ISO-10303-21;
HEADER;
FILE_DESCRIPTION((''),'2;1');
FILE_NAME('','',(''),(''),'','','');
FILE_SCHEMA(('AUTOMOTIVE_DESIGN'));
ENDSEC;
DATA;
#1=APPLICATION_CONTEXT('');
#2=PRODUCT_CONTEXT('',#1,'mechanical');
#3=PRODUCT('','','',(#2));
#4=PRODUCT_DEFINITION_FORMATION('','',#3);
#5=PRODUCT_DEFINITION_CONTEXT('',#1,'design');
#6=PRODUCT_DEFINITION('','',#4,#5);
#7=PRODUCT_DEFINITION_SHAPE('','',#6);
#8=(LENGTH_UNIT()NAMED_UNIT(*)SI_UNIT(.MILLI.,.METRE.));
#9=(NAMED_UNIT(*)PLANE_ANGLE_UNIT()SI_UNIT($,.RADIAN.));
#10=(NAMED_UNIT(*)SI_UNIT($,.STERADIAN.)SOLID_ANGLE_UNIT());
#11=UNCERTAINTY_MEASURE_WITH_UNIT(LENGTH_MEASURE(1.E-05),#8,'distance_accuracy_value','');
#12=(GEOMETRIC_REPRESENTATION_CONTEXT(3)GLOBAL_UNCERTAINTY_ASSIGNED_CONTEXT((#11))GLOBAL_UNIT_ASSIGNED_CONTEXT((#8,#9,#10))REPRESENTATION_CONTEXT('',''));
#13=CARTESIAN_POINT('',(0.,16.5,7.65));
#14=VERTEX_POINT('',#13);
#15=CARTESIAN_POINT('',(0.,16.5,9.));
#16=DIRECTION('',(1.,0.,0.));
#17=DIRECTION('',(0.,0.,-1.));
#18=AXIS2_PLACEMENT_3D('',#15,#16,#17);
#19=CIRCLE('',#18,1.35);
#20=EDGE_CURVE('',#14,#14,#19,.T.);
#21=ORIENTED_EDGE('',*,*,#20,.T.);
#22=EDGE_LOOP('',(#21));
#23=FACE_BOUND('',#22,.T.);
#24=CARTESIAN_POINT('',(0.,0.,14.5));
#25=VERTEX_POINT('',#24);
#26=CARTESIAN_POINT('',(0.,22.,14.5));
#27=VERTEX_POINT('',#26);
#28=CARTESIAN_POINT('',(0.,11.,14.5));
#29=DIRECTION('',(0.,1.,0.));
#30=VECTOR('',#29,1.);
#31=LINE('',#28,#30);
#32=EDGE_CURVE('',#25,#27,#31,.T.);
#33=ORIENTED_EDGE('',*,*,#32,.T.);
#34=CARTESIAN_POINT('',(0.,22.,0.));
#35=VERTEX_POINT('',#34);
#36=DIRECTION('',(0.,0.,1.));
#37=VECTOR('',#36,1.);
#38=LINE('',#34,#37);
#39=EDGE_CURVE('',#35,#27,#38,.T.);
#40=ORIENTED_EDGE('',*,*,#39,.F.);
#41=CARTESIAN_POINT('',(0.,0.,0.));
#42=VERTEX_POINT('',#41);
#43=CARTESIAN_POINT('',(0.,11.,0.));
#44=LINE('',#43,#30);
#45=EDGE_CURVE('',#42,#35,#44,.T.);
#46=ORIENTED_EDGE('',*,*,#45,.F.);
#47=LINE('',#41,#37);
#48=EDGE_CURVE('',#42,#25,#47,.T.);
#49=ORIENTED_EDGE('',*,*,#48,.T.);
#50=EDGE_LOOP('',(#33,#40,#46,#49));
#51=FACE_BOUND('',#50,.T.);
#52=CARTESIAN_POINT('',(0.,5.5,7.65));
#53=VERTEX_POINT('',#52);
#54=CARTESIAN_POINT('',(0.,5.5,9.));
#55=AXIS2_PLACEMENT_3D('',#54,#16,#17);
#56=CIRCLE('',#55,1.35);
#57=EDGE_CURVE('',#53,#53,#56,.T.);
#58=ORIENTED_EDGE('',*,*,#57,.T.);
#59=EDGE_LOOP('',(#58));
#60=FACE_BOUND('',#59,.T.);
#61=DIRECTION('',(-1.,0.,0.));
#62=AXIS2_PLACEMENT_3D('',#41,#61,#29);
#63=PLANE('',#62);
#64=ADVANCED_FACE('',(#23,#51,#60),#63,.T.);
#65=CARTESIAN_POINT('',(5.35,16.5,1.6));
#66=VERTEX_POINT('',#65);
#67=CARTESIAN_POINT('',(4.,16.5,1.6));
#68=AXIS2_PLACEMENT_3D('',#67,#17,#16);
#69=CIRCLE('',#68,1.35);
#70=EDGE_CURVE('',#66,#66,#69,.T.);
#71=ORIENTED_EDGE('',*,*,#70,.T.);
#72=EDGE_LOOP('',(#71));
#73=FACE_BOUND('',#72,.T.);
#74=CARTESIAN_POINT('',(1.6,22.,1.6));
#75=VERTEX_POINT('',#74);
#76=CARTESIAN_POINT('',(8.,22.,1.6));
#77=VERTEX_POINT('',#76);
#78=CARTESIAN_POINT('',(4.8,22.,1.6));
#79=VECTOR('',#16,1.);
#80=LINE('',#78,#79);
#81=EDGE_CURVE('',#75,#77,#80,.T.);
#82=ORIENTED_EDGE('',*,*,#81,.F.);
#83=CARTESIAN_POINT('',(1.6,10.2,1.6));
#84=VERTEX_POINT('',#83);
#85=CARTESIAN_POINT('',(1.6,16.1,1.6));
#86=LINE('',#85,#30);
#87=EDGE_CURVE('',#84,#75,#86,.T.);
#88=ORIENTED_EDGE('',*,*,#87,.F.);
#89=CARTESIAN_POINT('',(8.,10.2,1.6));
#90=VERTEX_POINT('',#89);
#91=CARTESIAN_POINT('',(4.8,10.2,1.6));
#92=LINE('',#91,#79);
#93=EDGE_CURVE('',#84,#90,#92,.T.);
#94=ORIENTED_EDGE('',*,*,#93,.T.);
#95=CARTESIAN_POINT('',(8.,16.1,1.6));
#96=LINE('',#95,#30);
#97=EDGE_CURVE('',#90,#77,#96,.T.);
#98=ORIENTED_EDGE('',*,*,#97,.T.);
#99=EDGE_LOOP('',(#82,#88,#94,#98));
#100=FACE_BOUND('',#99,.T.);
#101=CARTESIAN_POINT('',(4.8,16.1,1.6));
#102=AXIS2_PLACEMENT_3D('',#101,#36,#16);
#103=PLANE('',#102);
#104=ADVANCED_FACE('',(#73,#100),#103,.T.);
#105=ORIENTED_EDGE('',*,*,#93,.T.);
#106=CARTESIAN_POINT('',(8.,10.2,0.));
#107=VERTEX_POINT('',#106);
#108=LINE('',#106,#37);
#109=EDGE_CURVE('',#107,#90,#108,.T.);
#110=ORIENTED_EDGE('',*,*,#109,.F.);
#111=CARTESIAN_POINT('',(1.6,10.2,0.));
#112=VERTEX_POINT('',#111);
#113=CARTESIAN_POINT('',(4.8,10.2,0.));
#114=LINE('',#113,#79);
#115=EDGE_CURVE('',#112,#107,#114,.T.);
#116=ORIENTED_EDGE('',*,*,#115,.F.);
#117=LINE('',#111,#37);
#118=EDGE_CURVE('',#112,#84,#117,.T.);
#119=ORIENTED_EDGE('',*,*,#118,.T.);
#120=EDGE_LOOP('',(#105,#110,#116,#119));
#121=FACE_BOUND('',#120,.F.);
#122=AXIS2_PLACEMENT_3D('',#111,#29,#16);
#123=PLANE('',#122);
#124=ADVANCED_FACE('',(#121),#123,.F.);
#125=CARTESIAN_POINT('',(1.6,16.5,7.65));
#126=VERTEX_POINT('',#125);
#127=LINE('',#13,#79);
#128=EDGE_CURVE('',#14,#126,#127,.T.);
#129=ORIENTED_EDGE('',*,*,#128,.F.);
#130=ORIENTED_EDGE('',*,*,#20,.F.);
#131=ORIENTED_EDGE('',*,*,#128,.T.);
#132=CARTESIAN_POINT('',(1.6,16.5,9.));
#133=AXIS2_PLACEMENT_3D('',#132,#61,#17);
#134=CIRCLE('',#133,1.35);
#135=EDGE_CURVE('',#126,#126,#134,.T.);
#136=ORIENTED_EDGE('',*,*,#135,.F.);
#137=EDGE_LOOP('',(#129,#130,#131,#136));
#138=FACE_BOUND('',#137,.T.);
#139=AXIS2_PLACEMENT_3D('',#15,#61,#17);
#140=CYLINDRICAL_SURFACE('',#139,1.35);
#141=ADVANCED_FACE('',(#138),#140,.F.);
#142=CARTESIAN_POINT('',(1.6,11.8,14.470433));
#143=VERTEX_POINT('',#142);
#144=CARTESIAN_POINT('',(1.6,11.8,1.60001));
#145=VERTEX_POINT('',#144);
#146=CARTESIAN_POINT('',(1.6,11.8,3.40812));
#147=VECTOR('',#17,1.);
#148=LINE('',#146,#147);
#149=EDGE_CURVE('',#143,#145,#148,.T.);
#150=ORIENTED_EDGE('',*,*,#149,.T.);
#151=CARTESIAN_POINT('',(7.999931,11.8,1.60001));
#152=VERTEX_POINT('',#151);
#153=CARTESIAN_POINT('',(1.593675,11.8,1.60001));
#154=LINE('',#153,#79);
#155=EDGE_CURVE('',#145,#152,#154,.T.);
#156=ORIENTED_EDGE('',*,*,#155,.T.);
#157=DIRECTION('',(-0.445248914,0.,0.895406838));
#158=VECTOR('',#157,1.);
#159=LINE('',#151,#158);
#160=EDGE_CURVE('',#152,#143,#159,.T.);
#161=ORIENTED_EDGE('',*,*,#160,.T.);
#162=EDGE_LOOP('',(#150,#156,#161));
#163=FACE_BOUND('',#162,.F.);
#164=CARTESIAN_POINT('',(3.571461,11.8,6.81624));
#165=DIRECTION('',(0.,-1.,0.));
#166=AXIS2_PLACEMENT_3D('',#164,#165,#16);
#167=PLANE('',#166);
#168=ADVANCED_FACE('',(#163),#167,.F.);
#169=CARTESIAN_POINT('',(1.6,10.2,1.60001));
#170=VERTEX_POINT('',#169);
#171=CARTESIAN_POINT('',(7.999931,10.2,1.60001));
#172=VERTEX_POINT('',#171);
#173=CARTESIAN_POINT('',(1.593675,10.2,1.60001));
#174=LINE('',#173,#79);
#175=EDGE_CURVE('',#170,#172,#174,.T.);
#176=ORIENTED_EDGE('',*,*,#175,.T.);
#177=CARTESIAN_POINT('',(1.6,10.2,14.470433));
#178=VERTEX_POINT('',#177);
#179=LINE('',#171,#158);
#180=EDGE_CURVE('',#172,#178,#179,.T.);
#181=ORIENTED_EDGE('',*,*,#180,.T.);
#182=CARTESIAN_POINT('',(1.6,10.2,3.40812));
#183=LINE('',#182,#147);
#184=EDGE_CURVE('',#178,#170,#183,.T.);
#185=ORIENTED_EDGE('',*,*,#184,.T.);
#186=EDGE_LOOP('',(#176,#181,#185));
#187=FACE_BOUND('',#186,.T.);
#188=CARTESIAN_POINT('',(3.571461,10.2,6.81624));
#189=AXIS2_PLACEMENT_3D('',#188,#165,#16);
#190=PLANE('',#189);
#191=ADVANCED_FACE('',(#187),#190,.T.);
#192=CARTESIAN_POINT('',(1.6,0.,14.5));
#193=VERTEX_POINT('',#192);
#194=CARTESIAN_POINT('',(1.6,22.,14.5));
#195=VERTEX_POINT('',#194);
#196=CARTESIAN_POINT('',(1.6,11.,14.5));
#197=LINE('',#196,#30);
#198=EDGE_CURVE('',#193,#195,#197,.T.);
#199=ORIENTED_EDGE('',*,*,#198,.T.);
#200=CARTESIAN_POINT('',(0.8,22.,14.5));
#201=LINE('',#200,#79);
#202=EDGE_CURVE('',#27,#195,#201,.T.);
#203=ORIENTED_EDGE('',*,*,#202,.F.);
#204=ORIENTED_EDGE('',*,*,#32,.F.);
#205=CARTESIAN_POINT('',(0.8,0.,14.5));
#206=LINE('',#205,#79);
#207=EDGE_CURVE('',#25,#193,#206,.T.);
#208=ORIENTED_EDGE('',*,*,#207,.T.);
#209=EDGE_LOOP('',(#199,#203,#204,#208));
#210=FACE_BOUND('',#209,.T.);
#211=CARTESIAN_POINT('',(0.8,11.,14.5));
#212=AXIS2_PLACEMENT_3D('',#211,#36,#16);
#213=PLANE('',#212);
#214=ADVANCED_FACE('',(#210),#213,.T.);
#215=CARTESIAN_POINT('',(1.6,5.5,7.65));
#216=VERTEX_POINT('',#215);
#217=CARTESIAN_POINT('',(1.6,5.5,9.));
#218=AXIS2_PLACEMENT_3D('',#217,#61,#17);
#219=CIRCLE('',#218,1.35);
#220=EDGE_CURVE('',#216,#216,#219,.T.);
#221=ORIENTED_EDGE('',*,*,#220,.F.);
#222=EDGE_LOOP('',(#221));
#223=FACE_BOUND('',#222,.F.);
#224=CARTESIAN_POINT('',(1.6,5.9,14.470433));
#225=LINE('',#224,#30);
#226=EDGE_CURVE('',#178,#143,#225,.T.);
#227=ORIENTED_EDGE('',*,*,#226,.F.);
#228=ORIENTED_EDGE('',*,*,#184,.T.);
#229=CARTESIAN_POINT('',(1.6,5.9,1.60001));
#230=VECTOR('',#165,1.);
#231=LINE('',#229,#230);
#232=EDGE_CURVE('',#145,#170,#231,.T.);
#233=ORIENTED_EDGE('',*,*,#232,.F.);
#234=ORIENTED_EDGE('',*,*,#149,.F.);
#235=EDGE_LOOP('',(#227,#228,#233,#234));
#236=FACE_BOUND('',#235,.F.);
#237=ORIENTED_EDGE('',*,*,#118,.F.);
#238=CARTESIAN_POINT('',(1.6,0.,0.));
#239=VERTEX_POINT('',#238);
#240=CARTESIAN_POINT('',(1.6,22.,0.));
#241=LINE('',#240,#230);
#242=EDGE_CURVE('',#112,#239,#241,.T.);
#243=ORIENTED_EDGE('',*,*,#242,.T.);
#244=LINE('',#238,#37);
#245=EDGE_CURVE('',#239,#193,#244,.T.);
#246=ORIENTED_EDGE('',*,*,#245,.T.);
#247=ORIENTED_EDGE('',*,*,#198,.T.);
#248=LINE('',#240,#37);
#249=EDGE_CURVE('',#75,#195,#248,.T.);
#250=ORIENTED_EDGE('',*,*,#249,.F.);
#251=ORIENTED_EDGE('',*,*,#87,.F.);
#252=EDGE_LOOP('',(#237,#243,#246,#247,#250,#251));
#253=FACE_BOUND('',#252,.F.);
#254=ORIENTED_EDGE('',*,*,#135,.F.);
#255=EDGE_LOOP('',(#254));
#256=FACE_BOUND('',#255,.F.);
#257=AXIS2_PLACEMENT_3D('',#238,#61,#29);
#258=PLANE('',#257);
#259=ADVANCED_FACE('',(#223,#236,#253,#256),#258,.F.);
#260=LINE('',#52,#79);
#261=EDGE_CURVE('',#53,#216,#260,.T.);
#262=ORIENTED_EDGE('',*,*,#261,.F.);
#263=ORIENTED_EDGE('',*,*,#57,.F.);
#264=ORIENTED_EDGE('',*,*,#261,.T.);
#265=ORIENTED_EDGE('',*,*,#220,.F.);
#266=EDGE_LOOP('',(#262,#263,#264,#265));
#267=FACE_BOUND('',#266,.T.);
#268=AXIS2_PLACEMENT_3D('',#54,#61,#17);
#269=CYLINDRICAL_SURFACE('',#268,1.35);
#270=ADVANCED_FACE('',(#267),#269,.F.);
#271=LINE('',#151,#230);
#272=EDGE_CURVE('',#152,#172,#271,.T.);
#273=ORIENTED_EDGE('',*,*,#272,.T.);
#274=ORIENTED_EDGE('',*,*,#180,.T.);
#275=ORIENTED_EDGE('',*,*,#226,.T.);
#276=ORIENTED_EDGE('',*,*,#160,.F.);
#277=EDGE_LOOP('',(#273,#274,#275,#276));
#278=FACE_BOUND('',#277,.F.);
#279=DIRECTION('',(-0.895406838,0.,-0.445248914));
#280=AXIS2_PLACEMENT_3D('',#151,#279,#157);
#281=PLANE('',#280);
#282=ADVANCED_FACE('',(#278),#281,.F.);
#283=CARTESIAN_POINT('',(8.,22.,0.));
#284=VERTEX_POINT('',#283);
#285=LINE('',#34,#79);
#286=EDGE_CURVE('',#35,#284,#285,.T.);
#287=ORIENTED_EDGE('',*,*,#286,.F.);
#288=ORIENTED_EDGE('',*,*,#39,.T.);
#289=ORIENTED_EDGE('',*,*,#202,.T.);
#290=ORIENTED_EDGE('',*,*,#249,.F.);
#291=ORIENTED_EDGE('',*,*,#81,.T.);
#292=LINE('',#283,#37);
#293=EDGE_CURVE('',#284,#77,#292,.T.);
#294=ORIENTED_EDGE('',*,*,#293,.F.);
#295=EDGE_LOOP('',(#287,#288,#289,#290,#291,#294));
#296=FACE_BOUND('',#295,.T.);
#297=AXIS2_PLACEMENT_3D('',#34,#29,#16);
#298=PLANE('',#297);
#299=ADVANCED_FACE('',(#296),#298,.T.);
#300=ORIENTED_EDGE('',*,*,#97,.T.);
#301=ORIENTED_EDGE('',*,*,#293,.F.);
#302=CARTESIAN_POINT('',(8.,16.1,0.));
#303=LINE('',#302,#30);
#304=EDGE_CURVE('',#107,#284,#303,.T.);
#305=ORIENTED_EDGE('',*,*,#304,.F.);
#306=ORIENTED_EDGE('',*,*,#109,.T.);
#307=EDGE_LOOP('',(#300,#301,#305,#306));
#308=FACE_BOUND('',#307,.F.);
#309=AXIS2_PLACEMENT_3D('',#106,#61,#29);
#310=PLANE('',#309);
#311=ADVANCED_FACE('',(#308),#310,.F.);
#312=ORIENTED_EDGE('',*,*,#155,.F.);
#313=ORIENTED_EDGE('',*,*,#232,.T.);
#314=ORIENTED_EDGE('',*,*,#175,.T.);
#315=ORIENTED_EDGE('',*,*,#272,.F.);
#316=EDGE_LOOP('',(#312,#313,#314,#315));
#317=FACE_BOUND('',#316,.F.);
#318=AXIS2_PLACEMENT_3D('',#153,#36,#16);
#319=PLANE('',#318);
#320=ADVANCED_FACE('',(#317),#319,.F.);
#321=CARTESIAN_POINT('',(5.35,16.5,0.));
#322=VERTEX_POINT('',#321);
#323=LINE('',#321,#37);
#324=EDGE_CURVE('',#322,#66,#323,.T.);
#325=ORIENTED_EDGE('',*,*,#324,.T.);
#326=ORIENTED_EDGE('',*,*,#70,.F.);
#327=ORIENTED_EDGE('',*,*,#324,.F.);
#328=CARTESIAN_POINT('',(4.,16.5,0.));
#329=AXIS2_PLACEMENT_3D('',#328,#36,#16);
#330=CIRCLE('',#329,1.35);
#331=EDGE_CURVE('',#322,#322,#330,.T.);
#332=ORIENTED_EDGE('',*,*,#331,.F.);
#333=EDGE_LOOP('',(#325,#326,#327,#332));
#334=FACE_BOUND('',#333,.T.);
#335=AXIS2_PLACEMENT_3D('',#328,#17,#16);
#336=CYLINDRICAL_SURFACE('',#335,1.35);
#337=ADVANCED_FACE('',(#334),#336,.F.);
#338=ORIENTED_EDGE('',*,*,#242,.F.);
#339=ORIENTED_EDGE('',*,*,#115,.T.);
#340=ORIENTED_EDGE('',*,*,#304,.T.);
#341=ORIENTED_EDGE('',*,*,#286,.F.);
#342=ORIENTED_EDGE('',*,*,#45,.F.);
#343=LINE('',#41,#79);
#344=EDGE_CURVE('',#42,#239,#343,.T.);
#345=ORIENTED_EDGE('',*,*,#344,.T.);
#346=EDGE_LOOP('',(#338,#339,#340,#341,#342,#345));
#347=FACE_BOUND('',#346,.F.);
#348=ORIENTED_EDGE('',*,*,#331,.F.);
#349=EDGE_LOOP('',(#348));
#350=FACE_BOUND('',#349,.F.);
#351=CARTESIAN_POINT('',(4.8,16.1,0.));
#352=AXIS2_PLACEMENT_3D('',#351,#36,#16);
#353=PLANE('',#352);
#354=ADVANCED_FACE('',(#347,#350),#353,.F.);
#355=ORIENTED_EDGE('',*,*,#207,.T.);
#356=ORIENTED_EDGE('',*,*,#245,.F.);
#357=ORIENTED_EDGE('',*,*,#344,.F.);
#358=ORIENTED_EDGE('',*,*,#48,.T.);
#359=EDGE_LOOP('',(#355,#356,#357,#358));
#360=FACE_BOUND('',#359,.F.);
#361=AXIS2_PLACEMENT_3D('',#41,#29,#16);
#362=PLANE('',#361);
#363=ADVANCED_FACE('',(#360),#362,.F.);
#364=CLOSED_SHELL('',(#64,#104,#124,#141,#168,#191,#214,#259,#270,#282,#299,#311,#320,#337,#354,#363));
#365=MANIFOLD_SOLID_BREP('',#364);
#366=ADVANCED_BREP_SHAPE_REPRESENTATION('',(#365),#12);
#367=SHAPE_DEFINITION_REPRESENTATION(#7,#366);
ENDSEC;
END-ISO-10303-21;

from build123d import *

# Parameters (mm, degrees)
BOX002_W          = 6.4
BOX002_H          = 11.8
BOX002_DEPTH      = 1.6
CYLINDER002_R     = 1.35
CYLINDER002_DEPTH = 10
CYLINDER001_R     = 1.35
CYLINDER001_DEPTH = 10
CYLINDER_R        = 1.35
CYLINDER_DEPTH    = 10
BOX_W             = 1.6
BOX_H             = 22
BOX_DEPTH         = 14.5
BOX001_W          = 6.4
BOX001_H          = 11.8
BOX001_DEPTH      = 1.6
CYLINDER003_R     = 1.35
CYLINDER003_DEPTH = 10
BOX003_W          = 6.4
BOX003_H          = 11.8
BOX003_DEPTH      = 1.6
EXTRUDE_DEPTH     = 1.6


with BuildPart() as cube002:
    # Box002 → Box002 (new body)
    with BuildSketch(Plane(origin=(1.6, 0, 0), x_dir=(1, 0, 0), z_dir=(0, 0, 1))):
        with Locations((3.2, 5.9)):
            Rectangle(BOX002_W, BOX002_H)
    extrude(amount=BOX002_DEPTH)


with BuildPart() as cylinder002:
    # Cylinder002 → Cylinder002 (new body)
    with BuildSketch(Plane(origin=(4, 5.5, 0), x_dir=(1, 0, 0), z_dir=(0, 0, 1))):
        Circle(CYLINDER002_R)
    extrude(amount=CYLINDER002_DEPTH)


with BuildPart() as cylinder001:
    # Cylinder001 → Cylinder001 (new body)
    with BuildSketch(Plane(origin=(0, 16.5, 9), x_dir=(0, 0, -1), z_dir=(1, 0, 0))):
        Circle(CYLINDER001_R)
    extrude(amount=CYLINDER001_DEPTH)


with BuildPart() as cylinder:
    # Cylinder → Cylinder (new body)
    with BuildSketch(Plane(origin=(0, 5.5, 9), x_dir=(0, 0, -1), z_dir=(1, 0, 0))):
        Circle(CYLINDER_R)
    extrude(amount=CYLINDER_DEPTH)


with BuildPart() as cut001:
    # Box → Box (new body)
    with BuildSketch(Plane.XY):
        with Locations((0.8, 11)):
            Rectangle(BOX_W, BOX_H)
    extrude(amount=BOX_DEPTH)

    # Cut: cut Cylinder
    add(cylinder.part, mode=Mode.SUBTRACT)

    # Cut001: cut Cylinder001
    add(cylinder001.part, mode=Mode.SUBTRACT)


with BuildPart() as cut003:
    # Box001 → Box001 (new body)
    with BuildSketch(Plane(origin=(1.6, 0, 0), x_dir=(1, 0, 0), z_dir=(0, 0, 1))):
        with Locations((3.2, 5.9)):
            Rectangle(BOX001_W, BOX001_H)
    extrude(amount=BOX001_DEPTH)

    # Connect: union Cut001
    add(cut001.part)

    # Cut002: cut Cylinder002
    add(cylinder002.part, mode=Mode.SUBTRACT)

    # Cut003: cut Cube002
    add(cube002.part, mode=Mode.SUBTRACT)


with BuildPart() as cylinder003:
    # Cylinder003 → Cylinder003 (new body)
    with BuildSketch(Plane(origin=(4, 16.5, 0), x_dir=(1, 0, 0), z_dir=(0, 0, 1))):
        Circle(CYLINDER003_R)
    extrude(amount=CYLINDER003_DEPTH)


with BuildPart() as cut004:
    # Box003 → Box003 (new body)
    with BuildSketch(Plane(origin=(1.6, 10.2, 0), x_dir=(1, 0, 0), z_dir=(0, 0, 1))):
        with Locations((3.2, 5.9)):
            Rectangle(BOX003_W, BOX003_H)
    extrude(amount=BOX003_DEPTH)

    # Cut004: cut Cylinder003
    add(cylinder003.part, mode=Mode.SUBTRACT)


with BuildPart() as connect001:
    # Sketch → Extrude (new body)
    with BuildSketch(Plane.XZ):
        Polygon((1.593675, 14.483153), (1.593675, 1.60001), (7.999931, 1.60001), align=None)
    extrude(amount=EXTRUDE_DEPTH)


with BuildPart() as connect001_1:
    # Extrude placement: moved
    add(connect001.part.moved(Location((0, 11.8, 0))))

    # Connect001: union Cut003, Cut004
    add(cut003.part)
    add(cut004.part)


solid = connect001_1.part
